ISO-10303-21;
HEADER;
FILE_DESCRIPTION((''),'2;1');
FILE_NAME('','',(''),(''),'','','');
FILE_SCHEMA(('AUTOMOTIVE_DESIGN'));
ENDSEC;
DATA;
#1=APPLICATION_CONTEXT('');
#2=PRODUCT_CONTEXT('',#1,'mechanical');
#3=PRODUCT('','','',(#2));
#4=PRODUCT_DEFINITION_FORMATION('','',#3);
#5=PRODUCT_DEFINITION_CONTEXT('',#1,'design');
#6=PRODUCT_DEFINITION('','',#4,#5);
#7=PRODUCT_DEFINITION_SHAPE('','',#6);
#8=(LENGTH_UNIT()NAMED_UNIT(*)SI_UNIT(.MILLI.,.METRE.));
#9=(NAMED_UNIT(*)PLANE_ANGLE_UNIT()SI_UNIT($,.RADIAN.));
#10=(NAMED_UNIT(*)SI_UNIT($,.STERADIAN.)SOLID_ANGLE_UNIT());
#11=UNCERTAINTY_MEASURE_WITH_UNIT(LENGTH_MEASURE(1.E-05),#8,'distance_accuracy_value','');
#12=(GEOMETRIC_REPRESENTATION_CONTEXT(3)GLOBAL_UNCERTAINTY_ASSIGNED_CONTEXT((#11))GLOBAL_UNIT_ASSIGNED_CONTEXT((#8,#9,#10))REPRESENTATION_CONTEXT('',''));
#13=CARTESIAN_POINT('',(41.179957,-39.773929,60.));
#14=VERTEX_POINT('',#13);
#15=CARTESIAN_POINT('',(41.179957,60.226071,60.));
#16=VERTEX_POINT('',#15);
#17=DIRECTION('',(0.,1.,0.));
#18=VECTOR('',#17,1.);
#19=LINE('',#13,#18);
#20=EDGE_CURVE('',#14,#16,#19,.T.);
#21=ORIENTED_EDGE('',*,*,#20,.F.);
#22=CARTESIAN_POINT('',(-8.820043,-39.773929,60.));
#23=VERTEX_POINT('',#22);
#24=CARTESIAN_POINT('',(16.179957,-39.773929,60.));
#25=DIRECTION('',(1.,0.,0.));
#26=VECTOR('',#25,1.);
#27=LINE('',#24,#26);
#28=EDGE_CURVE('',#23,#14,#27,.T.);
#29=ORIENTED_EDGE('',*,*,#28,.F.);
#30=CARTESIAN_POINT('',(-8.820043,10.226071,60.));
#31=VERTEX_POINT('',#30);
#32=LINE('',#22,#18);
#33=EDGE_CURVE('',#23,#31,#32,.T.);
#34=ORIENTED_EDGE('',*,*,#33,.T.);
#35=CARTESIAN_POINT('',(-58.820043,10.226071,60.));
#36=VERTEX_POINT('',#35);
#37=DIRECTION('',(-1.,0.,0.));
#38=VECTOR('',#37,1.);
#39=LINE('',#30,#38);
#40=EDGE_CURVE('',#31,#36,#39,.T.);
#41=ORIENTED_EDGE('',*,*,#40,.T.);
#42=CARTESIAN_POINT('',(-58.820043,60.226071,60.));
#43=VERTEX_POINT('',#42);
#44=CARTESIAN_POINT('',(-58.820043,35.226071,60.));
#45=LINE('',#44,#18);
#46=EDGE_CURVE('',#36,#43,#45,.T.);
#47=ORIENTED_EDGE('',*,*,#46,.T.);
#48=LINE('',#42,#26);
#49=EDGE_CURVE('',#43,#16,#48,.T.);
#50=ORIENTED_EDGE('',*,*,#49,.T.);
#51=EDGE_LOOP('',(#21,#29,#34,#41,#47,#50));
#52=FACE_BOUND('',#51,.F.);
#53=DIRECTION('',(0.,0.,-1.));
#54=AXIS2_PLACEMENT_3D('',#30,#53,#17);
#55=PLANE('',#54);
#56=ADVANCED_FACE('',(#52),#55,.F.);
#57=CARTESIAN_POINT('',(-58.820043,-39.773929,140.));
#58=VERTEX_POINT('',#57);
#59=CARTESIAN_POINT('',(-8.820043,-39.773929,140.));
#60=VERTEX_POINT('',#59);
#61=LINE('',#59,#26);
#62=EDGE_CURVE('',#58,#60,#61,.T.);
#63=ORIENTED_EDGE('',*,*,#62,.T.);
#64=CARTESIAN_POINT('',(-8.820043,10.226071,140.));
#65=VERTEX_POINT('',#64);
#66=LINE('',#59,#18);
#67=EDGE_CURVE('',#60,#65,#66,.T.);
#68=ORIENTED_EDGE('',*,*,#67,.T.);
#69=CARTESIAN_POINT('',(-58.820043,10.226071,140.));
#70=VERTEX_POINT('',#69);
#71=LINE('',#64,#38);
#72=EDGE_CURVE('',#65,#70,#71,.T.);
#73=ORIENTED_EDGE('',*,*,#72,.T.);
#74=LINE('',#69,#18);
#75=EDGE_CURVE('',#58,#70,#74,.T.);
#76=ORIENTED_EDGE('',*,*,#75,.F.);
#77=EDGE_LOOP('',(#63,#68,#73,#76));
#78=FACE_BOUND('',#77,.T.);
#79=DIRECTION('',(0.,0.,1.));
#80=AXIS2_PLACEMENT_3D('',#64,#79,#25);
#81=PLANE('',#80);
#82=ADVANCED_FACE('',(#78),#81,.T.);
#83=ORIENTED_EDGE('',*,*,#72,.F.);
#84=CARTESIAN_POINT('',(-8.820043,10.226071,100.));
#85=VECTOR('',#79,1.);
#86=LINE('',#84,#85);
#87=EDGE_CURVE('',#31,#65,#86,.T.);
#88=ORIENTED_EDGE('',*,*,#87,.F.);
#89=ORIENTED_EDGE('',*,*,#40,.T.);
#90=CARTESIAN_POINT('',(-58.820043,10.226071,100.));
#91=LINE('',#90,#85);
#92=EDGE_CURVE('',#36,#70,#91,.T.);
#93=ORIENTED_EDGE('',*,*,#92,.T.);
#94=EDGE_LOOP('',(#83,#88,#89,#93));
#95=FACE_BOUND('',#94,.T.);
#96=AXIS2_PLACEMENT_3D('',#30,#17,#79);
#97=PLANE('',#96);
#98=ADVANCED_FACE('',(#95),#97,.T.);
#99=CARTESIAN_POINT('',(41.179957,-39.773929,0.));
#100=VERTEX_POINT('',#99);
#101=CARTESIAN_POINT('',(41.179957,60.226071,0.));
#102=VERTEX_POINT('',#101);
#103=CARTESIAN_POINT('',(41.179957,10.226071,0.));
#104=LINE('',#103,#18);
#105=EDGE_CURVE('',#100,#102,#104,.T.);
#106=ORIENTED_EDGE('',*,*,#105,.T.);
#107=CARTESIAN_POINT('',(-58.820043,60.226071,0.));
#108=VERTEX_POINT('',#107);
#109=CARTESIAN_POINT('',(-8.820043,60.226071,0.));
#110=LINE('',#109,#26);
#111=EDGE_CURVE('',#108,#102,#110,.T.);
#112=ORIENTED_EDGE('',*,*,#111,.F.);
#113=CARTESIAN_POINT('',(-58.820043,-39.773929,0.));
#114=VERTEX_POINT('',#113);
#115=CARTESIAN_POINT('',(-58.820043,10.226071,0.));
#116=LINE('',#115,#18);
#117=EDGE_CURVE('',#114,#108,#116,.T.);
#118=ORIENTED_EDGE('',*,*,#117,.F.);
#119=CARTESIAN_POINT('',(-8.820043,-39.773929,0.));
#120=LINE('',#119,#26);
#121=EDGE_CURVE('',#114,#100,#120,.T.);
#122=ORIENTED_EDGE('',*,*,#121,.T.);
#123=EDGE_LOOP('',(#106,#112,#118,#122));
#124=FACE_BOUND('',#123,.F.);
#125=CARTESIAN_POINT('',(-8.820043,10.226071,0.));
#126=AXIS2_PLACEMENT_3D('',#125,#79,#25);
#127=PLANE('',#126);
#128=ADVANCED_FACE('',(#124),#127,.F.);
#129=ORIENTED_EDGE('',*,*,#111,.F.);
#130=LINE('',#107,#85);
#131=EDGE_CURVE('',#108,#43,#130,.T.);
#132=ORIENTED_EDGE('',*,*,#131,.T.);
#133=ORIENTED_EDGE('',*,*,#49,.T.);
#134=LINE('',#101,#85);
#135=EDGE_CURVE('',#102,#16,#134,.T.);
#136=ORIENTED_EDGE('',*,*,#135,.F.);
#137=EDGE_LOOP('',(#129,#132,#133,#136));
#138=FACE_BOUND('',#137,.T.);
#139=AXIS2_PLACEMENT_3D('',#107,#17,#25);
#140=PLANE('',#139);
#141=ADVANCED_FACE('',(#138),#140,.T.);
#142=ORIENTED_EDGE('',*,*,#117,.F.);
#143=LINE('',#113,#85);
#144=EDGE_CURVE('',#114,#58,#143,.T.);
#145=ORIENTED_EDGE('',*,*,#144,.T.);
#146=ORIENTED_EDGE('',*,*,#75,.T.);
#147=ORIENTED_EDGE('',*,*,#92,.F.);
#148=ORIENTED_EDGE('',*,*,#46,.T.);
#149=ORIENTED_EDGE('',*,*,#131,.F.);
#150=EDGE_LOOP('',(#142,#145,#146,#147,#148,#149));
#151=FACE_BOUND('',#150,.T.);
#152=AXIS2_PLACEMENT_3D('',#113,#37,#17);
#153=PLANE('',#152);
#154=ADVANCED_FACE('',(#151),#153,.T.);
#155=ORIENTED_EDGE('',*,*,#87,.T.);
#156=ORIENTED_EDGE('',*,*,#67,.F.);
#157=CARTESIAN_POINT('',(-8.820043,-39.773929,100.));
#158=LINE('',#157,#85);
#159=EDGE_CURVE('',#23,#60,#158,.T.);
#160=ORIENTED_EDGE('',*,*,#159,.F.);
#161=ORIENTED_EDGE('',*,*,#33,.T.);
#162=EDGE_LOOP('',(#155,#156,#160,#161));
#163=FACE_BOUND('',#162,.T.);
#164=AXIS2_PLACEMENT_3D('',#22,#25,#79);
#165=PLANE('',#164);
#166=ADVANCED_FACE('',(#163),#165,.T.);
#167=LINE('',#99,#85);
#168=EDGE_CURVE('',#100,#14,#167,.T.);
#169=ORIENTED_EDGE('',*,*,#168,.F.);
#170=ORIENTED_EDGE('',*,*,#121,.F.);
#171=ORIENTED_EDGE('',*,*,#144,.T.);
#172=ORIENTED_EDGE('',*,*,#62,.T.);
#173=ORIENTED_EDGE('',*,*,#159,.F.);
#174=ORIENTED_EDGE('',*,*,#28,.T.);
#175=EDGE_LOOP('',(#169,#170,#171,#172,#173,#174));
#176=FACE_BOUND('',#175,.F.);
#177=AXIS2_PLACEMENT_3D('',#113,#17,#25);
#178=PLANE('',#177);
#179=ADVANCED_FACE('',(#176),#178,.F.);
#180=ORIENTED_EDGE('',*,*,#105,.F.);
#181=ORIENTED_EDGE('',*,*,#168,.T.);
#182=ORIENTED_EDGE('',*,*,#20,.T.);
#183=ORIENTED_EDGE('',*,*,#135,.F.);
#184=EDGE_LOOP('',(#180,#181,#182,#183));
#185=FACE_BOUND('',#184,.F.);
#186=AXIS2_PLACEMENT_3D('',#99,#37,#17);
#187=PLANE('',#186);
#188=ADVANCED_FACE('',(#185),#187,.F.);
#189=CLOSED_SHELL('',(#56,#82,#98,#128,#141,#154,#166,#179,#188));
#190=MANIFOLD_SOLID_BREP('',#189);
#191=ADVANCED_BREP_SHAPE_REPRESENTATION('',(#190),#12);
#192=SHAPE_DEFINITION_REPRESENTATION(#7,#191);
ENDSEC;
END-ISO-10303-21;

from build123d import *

# Parameters (mm, degrees)
F0_W     = 100
F0_H     = 100
F1_DEPTH = 140
F2_W     = 50
F2_H     = 80
F3_DEPTH = 100
F4_W     = 50
F4_H     = 80
F5_DEPTH = 50


with BuildPart() as f1:
    # F0 (on Top) → F1 (new body)
    with BuildSketch(Plane.XY):
        with Locations((-8.820043, 10.226071)):
            Rectangle(F0_W, F0_H)
    extrude(amount=F1_DEPTH)

    # F2 (on face) → F3 (cut, through all)
    with BuildSketch(Plane.XZ.offset(39.773929)):
        with Locations((16.179957, 100)):
            Rectangle(F2_W, F2_H)
    extrude(amount=-F3_DEPTH, mode=Mode.SUBTRACT)

    # F4 (on face) → F5 (cut, through all)
    with BuildSketch(Plane.YZ.offset(-8.820043)):
        with Locations((35.226071, 100)):
            Rectangle(F4_W, F4_H)
    extrude(amount=-F5_DEPTH, mode=Mode.SUBTRACT)


solid = f1.part
